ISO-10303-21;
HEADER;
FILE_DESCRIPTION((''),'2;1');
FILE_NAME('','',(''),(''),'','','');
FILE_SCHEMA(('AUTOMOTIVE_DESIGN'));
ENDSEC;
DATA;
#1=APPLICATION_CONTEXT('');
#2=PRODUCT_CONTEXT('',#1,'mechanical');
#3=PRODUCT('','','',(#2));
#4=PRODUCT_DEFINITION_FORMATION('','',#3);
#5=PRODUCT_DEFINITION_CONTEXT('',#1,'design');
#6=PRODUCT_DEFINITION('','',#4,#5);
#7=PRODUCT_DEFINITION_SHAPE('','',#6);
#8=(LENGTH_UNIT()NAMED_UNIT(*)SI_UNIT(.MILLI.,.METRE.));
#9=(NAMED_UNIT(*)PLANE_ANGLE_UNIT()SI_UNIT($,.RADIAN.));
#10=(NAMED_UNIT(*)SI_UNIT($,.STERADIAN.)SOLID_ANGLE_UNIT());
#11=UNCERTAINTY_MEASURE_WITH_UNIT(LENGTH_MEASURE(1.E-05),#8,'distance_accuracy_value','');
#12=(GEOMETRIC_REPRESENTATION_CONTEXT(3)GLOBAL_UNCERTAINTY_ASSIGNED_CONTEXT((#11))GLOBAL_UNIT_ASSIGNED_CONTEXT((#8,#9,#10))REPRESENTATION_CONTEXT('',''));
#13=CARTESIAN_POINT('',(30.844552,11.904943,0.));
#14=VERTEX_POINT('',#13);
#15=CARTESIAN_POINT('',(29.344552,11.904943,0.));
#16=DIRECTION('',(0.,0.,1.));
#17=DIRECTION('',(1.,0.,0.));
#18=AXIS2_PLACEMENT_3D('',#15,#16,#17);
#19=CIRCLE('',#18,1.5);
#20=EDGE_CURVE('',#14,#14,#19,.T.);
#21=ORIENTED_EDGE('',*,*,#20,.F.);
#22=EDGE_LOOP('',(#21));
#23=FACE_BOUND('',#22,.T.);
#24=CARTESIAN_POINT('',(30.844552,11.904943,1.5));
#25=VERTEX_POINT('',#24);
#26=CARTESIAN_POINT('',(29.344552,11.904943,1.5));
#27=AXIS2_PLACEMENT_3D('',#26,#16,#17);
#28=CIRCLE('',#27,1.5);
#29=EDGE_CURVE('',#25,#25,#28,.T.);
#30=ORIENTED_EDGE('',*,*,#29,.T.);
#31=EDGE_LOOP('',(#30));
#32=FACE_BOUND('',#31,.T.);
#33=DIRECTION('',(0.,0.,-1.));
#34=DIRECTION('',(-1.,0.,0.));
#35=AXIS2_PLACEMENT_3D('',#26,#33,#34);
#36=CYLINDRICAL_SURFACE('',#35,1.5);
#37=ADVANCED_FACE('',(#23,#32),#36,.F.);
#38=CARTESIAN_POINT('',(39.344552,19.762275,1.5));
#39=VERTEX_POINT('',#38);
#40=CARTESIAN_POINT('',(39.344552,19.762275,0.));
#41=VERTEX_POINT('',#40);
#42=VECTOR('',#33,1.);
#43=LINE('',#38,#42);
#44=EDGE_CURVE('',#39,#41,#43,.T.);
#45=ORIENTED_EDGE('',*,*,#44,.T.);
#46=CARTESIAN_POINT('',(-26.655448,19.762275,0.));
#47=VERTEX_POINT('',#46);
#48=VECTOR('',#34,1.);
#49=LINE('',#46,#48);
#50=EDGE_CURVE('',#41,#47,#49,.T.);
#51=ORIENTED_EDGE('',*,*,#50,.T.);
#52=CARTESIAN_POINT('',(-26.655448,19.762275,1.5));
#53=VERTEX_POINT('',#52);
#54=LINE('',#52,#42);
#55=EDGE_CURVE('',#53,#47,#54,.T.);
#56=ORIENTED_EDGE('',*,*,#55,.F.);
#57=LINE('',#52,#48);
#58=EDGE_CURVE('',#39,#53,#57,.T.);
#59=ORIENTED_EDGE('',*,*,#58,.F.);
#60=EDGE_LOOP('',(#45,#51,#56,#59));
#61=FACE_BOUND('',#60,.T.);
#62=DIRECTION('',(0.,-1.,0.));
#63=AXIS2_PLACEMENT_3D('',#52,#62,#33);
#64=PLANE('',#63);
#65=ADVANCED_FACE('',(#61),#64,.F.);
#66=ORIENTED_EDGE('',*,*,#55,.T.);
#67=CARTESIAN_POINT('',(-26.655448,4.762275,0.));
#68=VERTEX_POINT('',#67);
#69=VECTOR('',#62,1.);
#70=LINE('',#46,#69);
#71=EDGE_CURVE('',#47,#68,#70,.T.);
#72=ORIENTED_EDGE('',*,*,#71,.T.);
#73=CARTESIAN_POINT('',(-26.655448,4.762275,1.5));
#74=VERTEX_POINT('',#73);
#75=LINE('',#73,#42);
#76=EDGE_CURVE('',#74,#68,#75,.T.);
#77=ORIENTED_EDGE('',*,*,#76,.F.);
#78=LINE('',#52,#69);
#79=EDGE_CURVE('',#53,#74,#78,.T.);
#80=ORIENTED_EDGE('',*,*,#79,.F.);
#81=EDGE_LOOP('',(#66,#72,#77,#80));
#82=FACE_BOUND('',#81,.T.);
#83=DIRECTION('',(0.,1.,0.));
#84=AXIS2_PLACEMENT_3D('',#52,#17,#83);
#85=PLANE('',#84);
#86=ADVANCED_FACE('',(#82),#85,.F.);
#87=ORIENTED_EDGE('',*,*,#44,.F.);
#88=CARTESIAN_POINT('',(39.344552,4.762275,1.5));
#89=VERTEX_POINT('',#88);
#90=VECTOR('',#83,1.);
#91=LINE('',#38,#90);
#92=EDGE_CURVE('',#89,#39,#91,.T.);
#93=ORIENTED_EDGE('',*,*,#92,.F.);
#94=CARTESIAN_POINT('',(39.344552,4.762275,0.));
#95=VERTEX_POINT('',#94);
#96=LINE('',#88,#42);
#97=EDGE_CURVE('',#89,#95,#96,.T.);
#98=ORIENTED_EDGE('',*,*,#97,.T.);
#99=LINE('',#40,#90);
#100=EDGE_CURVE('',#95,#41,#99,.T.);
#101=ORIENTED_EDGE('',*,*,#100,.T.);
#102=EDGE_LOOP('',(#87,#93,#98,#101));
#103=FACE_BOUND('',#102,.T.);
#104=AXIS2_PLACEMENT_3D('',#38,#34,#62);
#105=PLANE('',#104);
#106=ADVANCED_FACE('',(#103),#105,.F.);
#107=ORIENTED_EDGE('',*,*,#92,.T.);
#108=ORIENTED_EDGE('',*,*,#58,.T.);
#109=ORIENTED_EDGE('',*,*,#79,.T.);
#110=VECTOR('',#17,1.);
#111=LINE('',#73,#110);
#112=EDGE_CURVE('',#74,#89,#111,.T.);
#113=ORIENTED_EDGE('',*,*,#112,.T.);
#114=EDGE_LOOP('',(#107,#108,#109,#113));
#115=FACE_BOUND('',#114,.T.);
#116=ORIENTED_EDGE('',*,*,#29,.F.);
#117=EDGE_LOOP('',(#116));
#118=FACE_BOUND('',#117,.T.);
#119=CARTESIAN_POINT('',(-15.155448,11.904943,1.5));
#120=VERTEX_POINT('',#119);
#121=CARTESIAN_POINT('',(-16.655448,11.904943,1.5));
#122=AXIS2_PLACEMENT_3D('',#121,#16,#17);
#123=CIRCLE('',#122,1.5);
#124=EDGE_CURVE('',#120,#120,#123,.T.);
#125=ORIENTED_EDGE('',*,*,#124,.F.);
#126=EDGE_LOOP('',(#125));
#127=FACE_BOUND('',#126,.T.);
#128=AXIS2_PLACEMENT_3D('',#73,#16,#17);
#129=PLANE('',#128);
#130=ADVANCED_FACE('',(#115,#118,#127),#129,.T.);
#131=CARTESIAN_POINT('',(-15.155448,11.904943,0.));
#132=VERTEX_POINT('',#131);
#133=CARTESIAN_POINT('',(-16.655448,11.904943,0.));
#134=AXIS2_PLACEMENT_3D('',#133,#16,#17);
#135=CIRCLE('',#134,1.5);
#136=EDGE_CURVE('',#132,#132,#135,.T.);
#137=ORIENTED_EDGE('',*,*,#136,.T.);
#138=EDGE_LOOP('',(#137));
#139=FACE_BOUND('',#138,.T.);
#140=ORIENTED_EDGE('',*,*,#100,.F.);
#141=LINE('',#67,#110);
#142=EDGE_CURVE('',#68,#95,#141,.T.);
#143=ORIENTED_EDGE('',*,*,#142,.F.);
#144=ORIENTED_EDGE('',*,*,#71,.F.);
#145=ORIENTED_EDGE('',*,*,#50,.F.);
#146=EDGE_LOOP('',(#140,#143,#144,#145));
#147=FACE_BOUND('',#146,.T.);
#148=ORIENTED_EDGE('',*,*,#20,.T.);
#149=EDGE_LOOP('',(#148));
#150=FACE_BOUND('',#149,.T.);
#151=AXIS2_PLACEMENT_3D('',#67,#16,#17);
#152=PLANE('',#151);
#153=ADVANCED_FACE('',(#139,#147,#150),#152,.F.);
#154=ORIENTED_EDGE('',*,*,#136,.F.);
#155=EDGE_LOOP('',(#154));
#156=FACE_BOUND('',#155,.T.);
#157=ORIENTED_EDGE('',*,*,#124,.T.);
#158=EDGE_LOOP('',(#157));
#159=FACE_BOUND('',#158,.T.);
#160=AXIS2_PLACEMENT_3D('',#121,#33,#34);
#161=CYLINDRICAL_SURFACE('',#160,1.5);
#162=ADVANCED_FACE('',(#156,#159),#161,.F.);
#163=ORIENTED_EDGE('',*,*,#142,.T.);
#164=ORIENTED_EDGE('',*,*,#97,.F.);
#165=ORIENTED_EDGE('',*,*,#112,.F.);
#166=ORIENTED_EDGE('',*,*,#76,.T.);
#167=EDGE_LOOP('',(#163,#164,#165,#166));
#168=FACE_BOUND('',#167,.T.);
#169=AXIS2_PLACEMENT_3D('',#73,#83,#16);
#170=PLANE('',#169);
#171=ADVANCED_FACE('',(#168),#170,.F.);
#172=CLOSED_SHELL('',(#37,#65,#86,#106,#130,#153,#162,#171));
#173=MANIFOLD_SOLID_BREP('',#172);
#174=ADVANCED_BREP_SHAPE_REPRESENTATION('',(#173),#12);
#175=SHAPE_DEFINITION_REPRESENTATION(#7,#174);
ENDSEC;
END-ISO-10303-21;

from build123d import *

# Parameters (mm, degrees)
ESQUISSE1_W      = 66
ESQUISSE1_H      = 15
ESQUISSE1_R      = 1.5
EXTRUSION1_DEPTH = 1.5


with BuildPart() as part:
    # Esquisse1 → Extrusion1 (new body)
    with BuildSketch(Plane.XY):
        with Locations((6.344552456, 12.262275132)):
            Rectangle(ESQUISSE1_W, ESQUISSE1_H)
        with Locations((-16.655447544, 11.904943045)):
            Circle(ESQUISSE1_R, mode=Mode.SUBTRACT)
        with Locations((29.344552456, 11.904943045)):
            Circle(ESQUISSE1_R, mode=Mode.SUBTRACT)
    extrude(amount=EXTRUSION1_DEPTH)


solid = part.part
